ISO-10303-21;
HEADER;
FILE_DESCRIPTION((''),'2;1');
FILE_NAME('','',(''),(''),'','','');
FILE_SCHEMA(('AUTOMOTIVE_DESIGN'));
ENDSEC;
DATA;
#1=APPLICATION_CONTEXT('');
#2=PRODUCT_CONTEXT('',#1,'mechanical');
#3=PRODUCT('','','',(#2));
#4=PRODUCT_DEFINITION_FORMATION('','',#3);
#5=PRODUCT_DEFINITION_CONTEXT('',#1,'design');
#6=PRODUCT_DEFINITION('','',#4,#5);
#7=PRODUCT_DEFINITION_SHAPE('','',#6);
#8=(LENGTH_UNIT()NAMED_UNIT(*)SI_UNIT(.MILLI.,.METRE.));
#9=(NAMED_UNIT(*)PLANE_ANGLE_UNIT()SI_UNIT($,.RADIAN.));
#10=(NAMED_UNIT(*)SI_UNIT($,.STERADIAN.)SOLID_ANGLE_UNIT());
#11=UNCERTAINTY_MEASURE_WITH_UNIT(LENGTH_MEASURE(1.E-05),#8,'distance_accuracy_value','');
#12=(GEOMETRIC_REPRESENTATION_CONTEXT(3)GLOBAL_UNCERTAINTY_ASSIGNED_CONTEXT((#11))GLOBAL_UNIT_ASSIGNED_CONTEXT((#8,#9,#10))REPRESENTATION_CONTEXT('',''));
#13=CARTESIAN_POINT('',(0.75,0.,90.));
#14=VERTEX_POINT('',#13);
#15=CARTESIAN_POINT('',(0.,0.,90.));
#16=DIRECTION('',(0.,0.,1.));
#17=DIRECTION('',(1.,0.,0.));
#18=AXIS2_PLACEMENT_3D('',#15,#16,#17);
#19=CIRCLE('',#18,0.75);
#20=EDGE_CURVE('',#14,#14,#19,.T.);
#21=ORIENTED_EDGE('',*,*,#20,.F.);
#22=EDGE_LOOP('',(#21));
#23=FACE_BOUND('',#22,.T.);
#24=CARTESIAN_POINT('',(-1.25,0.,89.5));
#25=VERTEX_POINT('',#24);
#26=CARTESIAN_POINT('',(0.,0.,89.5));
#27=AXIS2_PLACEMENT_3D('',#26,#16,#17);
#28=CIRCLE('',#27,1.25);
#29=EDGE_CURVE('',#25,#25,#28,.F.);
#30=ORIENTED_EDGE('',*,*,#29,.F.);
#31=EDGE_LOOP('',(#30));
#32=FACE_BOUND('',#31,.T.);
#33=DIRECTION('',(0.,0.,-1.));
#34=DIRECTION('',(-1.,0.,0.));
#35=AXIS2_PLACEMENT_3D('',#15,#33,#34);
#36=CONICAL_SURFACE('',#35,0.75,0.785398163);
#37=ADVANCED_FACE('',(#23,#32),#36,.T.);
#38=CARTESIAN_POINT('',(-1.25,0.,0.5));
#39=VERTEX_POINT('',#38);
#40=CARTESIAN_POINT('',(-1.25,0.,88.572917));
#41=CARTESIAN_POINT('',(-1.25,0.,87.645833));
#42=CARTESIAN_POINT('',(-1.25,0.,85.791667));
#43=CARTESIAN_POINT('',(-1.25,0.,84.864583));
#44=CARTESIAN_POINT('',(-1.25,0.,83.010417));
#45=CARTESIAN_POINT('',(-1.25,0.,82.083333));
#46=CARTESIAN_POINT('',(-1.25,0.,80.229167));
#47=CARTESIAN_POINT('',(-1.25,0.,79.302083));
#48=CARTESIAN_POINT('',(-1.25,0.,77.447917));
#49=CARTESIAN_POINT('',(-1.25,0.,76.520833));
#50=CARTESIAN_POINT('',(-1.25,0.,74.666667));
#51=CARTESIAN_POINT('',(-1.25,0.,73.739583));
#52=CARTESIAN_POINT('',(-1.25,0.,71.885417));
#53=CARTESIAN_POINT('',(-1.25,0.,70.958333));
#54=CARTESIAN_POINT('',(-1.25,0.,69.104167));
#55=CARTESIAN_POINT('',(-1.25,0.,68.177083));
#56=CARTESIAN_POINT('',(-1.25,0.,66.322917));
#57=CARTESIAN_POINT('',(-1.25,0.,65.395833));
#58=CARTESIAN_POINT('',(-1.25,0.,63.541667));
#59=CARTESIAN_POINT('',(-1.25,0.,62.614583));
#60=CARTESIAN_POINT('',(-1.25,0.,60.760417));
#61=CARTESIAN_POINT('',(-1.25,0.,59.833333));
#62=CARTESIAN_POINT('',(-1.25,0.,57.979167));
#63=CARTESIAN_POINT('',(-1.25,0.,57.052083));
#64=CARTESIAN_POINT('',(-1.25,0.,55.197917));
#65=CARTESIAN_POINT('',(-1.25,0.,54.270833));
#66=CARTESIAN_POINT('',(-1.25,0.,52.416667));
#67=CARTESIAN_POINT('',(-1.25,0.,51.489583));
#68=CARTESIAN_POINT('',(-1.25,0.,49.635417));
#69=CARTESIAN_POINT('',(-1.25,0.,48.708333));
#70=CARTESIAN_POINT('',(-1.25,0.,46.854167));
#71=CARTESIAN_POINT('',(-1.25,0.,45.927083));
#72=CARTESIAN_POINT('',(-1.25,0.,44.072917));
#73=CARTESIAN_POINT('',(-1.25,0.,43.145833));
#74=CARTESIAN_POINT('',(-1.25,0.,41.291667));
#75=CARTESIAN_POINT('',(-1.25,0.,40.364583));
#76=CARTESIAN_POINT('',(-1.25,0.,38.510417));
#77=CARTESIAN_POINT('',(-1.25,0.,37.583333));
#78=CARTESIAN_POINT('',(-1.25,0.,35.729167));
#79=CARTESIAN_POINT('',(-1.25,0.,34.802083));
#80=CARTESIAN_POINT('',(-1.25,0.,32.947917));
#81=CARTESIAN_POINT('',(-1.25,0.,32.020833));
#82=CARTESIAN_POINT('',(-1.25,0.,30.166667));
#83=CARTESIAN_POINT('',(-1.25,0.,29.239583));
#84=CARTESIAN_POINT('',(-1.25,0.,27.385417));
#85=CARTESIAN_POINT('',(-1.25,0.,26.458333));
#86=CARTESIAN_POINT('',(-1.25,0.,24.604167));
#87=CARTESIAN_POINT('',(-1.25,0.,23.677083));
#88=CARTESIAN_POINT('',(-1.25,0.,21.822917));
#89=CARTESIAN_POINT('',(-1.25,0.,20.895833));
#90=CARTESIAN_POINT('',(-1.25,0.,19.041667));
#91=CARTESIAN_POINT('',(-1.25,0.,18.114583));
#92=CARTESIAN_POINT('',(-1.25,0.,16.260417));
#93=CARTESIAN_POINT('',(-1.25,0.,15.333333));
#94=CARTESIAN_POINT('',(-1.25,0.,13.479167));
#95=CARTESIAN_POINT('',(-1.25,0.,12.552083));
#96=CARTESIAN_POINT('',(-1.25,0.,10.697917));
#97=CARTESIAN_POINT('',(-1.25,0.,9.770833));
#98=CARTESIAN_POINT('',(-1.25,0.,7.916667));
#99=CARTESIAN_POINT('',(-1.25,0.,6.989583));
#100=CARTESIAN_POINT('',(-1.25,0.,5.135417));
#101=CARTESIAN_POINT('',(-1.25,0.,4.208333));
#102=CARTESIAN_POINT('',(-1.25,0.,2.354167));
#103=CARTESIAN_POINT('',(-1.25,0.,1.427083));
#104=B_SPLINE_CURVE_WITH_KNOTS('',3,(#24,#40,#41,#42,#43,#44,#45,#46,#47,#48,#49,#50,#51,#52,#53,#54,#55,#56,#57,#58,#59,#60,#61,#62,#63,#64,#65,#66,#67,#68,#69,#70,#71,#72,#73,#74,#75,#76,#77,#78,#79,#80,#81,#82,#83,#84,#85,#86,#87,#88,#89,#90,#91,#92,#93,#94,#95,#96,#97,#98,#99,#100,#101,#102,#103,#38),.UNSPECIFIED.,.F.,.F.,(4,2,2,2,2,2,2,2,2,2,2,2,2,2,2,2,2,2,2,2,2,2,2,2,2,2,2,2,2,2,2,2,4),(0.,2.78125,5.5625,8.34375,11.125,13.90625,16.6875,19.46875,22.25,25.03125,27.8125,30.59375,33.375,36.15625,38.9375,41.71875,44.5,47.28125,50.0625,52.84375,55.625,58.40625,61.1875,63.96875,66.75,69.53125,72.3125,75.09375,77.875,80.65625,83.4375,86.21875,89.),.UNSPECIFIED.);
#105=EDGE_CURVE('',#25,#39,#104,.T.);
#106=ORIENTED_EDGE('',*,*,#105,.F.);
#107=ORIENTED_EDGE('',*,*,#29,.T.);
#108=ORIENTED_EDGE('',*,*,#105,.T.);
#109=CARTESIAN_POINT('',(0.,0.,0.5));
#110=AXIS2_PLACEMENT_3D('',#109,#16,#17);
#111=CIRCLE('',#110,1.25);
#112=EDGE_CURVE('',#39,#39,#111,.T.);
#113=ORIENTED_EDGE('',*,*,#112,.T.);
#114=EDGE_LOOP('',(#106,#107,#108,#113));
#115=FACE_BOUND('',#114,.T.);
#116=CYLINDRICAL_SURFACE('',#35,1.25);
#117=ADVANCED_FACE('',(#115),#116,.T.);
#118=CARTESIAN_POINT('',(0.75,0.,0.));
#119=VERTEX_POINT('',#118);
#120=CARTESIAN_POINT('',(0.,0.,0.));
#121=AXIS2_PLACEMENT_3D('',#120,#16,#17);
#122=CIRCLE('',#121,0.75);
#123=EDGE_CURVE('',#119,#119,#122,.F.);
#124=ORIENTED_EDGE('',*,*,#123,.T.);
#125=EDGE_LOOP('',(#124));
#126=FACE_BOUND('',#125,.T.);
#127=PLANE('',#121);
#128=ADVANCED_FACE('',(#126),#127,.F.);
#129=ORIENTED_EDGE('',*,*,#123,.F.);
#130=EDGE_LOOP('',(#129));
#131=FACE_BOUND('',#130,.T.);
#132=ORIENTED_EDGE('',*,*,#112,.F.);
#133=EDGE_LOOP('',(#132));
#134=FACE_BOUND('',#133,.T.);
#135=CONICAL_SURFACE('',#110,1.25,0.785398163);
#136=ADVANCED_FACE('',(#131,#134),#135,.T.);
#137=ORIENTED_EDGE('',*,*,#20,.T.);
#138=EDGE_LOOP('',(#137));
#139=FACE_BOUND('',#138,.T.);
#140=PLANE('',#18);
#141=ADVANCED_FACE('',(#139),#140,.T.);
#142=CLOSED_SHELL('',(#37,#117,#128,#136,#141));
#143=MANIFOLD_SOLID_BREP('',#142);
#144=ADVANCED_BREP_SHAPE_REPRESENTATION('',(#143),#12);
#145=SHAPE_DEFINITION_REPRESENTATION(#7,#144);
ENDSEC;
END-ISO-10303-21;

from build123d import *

# Parameters (mm, degrees)
SKETCH1_R           = 1.25
BOSS_EXTRUDE1_DEPTH = 90
CHAMFER1_SIZE       = 0.5
CHAMFER2_SIZE       = 0.5


with BuildPart() as part:
    # Sketch1 → Boss-Extrude1 (new body)
    with BuildSketch(Plane.XY):
        with Locations(Location((0, 0, 0), (0, 0, 180))):
            Circle(SKETCH1_R)
    extrude(amount=BOSS_EXTRUDE1_DEPTH)

    # Chamfer1
    chamfer1_edges = [part.edges().sort_by_distance(p)[0] for p in [
        (1.25, 0, 0),
    ]]
    chamfer(chamfer1_edges, length=CHAMFER1_SIZE)

    # Chamfer2
    chamfer2_edges = [part.edges().sort_by_distance(p)[0] for p in [
        (1.25, 0, 90),
    ]]
    chamfer(chamfer2_edges, length=CHAMFER2_SIZE)


solid = part.part
